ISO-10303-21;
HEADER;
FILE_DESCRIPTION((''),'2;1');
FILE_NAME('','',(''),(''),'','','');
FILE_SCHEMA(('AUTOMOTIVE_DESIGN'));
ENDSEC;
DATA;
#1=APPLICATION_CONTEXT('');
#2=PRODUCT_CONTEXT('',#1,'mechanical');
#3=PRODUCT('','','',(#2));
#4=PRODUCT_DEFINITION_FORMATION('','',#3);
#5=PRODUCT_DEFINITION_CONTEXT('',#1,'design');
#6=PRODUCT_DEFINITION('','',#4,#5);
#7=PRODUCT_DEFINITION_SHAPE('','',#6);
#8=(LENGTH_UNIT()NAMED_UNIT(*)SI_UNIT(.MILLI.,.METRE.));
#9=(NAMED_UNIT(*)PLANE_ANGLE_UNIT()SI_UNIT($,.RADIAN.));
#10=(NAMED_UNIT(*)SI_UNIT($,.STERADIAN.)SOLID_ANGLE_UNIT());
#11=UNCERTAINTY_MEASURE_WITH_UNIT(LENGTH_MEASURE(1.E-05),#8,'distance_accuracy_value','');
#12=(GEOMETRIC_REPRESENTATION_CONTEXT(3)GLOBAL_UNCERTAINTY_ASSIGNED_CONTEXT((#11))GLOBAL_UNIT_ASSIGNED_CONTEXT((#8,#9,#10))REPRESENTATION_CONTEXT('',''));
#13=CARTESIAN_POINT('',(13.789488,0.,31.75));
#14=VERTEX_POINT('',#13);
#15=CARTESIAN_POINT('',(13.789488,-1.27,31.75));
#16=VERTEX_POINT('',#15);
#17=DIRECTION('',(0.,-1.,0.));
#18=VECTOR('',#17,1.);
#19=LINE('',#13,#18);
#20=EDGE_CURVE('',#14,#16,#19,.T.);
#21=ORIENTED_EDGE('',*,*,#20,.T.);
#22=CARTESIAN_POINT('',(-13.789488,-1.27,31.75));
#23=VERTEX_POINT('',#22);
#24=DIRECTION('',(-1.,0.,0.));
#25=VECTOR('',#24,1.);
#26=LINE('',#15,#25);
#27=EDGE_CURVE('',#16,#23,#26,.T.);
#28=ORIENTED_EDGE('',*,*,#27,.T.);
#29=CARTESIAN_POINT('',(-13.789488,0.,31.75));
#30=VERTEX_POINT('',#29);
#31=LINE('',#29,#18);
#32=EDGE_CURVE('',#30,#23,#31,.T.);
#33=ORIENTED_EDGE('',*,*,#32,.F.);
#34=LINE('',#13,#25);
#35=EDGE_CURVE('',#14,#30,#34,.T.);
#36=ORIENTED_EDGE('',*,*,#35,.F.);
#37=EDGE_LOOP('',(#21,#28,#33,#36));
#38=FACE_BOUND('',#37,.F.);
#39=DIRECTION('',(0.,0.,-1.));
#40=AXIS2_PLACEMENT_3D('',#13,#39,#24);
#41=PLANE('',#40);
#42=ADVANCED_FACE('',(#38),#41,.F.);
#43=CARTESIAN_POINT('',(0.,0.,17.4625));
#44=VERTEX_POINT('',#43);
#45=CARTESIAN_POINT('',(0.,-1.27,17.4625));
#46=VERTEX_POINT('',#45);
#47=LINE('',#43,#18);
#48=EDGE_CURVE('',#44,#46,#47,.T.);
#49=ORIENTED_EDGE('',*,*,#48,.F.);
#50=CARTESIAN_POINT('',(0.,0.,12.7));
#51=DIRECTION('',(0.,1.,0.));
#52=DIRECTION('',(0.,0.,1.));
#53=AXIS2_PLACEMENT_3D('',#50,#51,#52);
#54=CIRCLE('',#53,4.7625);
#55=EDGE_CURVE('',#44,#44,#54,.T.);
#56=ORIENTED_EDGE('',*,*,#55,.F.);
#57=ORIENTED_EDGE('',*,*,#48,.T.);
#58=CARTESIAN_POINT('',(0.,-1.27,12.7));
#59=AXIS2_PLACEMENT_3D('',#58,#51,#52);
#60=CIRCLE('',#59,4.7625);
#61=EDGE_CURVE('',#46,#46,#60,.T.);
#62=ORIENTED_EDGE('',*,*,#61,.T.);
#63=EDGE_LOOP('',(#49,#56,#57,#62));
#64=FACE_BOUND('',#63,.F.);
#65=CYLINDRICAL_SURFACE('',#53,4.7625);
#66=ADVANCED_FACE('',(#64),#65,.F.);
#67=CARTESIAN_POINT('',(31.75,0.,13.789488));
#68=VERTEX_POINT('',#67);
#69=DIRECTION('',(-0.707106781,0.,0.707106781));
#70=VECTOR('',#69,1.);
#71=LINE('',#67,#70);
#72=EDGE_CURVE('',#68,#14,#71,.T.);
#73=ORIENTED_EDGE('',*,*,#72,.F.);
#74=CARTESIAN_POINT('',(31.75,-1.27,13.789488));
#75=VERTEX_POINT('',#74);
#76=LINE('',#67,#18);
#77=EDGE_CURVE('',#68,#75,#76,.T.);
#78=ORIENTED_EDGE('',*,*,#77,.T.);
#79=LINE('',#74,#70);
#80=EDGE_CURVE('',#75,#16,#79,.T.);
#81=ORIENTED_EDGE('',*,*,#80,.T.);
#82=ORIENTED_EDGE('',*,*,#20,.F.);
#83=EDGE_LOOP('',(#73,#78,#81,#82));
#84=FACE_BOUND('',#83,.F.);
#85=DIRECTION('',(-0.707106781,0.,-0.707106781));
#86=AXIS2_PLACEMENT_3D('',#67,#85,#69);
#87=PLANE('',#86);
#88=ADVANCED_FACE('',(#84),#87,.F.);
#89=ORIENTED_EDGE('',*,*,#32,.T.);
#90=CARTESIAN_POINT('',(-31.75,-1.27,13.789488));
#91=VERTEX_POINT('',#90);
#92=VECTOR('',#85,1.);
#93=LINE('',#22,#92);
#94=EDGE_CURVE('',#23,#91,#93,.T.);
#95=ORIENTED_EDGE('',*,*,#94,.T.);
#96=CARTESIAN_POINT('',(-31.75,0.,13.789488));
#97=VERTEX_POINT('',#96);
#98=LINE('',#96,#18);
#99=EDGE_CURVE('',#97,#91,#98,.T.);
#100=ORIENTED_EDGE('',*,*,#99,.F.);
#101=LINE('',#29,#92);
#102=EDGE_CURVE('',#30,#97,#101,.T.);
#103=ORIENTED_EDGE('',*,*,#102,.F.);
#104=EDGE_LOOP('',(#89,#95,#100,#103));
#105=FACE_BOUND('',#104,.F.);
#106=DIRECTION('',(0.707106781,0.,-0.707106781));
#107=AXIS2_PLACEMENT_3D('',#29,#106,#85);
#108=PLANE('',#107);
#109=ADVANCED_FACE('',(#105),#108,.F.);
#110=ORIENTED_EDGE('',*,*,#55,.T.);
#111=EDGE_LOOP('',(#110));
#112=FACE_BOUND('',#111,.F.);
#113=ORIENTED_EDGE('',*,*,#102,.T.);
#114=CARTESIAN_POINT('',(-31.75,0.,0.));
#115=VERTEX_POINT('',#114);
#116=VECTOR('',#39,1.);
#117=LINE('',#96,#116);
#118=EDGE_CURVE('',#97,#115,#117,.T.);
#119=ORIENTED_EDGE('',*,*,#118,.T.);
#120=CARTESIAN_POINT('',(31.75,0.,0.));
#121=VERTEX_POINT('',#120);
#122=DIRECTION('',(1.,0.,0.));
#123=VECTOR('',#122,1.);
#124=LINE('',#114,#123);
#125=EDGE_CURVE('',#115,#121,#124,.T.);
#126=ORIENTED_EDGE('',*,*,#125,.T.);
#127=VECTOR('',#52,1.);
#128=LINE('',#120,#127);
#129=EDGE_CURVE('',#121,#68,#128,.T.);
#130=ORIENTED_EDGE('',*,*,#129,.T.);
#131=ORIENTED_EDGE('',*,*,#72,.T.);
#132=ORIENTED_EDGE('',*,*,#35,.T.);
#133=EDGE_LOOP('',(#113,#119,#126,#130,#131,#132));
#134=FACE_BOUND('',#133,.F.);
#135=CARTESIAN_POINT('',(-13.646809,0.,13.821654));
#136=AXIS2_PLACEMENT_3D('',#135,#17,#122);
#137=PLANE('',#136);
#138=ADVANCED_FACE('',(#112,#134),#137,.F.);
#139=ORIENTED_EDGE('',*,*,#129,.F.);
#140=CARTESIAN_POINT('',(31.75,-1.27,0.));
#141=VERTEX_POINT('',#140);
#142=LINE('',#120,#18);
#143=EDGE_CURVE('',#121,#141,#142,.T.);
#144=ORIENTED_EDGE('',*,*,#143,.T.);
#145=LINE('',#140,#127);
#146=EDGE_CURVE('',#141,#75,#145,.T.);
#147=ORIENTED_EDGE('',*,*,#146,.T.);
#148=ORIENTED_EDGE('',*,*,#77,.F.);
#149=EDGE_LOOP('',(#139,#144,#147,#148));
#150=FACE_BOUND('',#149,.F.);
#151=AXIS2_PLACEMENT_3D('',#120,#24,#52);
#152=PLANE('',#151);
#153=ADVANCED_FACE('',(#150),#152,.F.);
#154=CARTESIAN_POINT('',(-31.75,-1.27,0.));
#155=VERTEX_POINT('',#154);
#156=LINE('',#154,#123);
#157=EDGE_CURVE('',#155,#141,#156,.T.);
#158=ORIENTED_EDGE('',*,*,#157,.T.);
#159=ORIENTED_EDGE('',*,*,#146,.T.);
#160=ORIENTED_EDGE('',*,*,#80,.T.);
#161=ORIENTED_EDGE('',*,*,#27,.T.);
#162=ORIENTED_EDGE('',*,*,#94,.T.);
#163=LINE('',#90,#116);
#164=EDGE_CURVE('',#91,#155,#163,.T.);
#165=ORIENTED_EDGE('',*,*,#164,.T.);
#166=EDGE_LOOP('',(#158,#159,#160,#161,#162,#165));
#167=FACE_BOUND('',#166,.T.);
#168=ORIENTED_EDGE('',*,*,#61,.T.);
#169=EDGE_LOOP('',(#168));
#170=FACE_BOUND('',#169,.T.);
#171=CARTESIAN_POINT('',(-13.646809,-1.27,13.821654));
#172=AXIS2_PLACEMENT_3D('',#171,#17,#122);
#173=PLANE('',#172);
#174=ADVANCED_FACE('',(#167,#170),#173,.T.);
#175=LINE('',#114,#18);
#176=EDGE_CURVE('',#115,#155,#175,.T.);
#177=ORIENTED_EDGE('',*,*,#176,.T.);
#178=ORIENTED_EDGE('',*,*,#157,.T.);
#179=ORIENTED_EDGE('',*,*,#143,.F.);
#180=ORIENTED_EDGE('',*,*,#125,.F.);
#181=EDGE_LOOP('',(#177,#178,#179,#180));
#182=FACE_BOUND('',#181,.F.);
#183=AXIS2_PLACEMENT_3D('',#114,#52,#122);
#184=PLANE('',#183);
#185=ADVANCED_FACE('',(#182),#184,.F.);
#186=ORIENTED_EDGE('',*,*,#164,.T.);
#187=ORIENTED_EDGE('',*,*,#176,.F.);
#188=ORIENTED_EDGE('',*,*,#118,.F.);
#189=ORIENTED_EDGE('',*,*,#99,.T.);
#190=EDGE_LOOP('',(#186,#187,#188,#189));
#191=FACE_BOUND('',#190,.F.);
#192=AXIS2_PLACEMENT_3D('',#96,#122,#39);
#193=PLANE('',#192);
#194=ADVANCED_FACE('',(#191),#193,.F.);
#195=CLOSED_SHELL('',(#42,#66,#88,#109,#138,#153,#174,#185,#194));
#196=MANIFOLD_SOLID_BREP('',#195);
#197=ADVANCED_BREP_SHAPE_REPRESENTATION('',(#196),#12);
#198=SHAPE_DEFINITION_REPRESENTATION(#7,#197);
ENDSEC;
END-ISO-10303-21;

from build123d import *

# Parameters (mm, degrees)
F1_DEPTH = 1.27


with BuildPart() as f1:
    # F0 (on Front) → F1 (new body)
    with BuildSketch(Plane.XZ):
        with BuildLine():
            Line((-31.75, 13.789488), (-31.75, 0))
            Line((-31.75, 0), (0, 0))
            Line((0, 0), (0, 7.9375))
            ThreePointArc((0, 7.9375), (-4.7625, 12.7), (0, 17.4625))
            Line((0, 17.4625), (0, 31.75))
            Line((0, 31.75), (-13.789488, 31.75))
            Line((-13.789488, 31.75), (-31.75, 13.789488))
        make_face()
        with BuildLine():
            Line((0, 7.9375), (0, 0))
            Line((0, 0), (31.75, 0))
            Line((31.75, 0), (31.75, 13.789488))
            Line((31.75, 13.789488), (13.789488, 31.75))
            Line((13.789488, 31.75), (0, 31.75))
            Line((0, 31.75), (0, 17.4625))
            ThreePointArc((0, 17.4625), (4.7625, 12.7), (0, 7.9375))
        make_face()
    extrude(amount=F1_DEPTH)


solid = f1.part
